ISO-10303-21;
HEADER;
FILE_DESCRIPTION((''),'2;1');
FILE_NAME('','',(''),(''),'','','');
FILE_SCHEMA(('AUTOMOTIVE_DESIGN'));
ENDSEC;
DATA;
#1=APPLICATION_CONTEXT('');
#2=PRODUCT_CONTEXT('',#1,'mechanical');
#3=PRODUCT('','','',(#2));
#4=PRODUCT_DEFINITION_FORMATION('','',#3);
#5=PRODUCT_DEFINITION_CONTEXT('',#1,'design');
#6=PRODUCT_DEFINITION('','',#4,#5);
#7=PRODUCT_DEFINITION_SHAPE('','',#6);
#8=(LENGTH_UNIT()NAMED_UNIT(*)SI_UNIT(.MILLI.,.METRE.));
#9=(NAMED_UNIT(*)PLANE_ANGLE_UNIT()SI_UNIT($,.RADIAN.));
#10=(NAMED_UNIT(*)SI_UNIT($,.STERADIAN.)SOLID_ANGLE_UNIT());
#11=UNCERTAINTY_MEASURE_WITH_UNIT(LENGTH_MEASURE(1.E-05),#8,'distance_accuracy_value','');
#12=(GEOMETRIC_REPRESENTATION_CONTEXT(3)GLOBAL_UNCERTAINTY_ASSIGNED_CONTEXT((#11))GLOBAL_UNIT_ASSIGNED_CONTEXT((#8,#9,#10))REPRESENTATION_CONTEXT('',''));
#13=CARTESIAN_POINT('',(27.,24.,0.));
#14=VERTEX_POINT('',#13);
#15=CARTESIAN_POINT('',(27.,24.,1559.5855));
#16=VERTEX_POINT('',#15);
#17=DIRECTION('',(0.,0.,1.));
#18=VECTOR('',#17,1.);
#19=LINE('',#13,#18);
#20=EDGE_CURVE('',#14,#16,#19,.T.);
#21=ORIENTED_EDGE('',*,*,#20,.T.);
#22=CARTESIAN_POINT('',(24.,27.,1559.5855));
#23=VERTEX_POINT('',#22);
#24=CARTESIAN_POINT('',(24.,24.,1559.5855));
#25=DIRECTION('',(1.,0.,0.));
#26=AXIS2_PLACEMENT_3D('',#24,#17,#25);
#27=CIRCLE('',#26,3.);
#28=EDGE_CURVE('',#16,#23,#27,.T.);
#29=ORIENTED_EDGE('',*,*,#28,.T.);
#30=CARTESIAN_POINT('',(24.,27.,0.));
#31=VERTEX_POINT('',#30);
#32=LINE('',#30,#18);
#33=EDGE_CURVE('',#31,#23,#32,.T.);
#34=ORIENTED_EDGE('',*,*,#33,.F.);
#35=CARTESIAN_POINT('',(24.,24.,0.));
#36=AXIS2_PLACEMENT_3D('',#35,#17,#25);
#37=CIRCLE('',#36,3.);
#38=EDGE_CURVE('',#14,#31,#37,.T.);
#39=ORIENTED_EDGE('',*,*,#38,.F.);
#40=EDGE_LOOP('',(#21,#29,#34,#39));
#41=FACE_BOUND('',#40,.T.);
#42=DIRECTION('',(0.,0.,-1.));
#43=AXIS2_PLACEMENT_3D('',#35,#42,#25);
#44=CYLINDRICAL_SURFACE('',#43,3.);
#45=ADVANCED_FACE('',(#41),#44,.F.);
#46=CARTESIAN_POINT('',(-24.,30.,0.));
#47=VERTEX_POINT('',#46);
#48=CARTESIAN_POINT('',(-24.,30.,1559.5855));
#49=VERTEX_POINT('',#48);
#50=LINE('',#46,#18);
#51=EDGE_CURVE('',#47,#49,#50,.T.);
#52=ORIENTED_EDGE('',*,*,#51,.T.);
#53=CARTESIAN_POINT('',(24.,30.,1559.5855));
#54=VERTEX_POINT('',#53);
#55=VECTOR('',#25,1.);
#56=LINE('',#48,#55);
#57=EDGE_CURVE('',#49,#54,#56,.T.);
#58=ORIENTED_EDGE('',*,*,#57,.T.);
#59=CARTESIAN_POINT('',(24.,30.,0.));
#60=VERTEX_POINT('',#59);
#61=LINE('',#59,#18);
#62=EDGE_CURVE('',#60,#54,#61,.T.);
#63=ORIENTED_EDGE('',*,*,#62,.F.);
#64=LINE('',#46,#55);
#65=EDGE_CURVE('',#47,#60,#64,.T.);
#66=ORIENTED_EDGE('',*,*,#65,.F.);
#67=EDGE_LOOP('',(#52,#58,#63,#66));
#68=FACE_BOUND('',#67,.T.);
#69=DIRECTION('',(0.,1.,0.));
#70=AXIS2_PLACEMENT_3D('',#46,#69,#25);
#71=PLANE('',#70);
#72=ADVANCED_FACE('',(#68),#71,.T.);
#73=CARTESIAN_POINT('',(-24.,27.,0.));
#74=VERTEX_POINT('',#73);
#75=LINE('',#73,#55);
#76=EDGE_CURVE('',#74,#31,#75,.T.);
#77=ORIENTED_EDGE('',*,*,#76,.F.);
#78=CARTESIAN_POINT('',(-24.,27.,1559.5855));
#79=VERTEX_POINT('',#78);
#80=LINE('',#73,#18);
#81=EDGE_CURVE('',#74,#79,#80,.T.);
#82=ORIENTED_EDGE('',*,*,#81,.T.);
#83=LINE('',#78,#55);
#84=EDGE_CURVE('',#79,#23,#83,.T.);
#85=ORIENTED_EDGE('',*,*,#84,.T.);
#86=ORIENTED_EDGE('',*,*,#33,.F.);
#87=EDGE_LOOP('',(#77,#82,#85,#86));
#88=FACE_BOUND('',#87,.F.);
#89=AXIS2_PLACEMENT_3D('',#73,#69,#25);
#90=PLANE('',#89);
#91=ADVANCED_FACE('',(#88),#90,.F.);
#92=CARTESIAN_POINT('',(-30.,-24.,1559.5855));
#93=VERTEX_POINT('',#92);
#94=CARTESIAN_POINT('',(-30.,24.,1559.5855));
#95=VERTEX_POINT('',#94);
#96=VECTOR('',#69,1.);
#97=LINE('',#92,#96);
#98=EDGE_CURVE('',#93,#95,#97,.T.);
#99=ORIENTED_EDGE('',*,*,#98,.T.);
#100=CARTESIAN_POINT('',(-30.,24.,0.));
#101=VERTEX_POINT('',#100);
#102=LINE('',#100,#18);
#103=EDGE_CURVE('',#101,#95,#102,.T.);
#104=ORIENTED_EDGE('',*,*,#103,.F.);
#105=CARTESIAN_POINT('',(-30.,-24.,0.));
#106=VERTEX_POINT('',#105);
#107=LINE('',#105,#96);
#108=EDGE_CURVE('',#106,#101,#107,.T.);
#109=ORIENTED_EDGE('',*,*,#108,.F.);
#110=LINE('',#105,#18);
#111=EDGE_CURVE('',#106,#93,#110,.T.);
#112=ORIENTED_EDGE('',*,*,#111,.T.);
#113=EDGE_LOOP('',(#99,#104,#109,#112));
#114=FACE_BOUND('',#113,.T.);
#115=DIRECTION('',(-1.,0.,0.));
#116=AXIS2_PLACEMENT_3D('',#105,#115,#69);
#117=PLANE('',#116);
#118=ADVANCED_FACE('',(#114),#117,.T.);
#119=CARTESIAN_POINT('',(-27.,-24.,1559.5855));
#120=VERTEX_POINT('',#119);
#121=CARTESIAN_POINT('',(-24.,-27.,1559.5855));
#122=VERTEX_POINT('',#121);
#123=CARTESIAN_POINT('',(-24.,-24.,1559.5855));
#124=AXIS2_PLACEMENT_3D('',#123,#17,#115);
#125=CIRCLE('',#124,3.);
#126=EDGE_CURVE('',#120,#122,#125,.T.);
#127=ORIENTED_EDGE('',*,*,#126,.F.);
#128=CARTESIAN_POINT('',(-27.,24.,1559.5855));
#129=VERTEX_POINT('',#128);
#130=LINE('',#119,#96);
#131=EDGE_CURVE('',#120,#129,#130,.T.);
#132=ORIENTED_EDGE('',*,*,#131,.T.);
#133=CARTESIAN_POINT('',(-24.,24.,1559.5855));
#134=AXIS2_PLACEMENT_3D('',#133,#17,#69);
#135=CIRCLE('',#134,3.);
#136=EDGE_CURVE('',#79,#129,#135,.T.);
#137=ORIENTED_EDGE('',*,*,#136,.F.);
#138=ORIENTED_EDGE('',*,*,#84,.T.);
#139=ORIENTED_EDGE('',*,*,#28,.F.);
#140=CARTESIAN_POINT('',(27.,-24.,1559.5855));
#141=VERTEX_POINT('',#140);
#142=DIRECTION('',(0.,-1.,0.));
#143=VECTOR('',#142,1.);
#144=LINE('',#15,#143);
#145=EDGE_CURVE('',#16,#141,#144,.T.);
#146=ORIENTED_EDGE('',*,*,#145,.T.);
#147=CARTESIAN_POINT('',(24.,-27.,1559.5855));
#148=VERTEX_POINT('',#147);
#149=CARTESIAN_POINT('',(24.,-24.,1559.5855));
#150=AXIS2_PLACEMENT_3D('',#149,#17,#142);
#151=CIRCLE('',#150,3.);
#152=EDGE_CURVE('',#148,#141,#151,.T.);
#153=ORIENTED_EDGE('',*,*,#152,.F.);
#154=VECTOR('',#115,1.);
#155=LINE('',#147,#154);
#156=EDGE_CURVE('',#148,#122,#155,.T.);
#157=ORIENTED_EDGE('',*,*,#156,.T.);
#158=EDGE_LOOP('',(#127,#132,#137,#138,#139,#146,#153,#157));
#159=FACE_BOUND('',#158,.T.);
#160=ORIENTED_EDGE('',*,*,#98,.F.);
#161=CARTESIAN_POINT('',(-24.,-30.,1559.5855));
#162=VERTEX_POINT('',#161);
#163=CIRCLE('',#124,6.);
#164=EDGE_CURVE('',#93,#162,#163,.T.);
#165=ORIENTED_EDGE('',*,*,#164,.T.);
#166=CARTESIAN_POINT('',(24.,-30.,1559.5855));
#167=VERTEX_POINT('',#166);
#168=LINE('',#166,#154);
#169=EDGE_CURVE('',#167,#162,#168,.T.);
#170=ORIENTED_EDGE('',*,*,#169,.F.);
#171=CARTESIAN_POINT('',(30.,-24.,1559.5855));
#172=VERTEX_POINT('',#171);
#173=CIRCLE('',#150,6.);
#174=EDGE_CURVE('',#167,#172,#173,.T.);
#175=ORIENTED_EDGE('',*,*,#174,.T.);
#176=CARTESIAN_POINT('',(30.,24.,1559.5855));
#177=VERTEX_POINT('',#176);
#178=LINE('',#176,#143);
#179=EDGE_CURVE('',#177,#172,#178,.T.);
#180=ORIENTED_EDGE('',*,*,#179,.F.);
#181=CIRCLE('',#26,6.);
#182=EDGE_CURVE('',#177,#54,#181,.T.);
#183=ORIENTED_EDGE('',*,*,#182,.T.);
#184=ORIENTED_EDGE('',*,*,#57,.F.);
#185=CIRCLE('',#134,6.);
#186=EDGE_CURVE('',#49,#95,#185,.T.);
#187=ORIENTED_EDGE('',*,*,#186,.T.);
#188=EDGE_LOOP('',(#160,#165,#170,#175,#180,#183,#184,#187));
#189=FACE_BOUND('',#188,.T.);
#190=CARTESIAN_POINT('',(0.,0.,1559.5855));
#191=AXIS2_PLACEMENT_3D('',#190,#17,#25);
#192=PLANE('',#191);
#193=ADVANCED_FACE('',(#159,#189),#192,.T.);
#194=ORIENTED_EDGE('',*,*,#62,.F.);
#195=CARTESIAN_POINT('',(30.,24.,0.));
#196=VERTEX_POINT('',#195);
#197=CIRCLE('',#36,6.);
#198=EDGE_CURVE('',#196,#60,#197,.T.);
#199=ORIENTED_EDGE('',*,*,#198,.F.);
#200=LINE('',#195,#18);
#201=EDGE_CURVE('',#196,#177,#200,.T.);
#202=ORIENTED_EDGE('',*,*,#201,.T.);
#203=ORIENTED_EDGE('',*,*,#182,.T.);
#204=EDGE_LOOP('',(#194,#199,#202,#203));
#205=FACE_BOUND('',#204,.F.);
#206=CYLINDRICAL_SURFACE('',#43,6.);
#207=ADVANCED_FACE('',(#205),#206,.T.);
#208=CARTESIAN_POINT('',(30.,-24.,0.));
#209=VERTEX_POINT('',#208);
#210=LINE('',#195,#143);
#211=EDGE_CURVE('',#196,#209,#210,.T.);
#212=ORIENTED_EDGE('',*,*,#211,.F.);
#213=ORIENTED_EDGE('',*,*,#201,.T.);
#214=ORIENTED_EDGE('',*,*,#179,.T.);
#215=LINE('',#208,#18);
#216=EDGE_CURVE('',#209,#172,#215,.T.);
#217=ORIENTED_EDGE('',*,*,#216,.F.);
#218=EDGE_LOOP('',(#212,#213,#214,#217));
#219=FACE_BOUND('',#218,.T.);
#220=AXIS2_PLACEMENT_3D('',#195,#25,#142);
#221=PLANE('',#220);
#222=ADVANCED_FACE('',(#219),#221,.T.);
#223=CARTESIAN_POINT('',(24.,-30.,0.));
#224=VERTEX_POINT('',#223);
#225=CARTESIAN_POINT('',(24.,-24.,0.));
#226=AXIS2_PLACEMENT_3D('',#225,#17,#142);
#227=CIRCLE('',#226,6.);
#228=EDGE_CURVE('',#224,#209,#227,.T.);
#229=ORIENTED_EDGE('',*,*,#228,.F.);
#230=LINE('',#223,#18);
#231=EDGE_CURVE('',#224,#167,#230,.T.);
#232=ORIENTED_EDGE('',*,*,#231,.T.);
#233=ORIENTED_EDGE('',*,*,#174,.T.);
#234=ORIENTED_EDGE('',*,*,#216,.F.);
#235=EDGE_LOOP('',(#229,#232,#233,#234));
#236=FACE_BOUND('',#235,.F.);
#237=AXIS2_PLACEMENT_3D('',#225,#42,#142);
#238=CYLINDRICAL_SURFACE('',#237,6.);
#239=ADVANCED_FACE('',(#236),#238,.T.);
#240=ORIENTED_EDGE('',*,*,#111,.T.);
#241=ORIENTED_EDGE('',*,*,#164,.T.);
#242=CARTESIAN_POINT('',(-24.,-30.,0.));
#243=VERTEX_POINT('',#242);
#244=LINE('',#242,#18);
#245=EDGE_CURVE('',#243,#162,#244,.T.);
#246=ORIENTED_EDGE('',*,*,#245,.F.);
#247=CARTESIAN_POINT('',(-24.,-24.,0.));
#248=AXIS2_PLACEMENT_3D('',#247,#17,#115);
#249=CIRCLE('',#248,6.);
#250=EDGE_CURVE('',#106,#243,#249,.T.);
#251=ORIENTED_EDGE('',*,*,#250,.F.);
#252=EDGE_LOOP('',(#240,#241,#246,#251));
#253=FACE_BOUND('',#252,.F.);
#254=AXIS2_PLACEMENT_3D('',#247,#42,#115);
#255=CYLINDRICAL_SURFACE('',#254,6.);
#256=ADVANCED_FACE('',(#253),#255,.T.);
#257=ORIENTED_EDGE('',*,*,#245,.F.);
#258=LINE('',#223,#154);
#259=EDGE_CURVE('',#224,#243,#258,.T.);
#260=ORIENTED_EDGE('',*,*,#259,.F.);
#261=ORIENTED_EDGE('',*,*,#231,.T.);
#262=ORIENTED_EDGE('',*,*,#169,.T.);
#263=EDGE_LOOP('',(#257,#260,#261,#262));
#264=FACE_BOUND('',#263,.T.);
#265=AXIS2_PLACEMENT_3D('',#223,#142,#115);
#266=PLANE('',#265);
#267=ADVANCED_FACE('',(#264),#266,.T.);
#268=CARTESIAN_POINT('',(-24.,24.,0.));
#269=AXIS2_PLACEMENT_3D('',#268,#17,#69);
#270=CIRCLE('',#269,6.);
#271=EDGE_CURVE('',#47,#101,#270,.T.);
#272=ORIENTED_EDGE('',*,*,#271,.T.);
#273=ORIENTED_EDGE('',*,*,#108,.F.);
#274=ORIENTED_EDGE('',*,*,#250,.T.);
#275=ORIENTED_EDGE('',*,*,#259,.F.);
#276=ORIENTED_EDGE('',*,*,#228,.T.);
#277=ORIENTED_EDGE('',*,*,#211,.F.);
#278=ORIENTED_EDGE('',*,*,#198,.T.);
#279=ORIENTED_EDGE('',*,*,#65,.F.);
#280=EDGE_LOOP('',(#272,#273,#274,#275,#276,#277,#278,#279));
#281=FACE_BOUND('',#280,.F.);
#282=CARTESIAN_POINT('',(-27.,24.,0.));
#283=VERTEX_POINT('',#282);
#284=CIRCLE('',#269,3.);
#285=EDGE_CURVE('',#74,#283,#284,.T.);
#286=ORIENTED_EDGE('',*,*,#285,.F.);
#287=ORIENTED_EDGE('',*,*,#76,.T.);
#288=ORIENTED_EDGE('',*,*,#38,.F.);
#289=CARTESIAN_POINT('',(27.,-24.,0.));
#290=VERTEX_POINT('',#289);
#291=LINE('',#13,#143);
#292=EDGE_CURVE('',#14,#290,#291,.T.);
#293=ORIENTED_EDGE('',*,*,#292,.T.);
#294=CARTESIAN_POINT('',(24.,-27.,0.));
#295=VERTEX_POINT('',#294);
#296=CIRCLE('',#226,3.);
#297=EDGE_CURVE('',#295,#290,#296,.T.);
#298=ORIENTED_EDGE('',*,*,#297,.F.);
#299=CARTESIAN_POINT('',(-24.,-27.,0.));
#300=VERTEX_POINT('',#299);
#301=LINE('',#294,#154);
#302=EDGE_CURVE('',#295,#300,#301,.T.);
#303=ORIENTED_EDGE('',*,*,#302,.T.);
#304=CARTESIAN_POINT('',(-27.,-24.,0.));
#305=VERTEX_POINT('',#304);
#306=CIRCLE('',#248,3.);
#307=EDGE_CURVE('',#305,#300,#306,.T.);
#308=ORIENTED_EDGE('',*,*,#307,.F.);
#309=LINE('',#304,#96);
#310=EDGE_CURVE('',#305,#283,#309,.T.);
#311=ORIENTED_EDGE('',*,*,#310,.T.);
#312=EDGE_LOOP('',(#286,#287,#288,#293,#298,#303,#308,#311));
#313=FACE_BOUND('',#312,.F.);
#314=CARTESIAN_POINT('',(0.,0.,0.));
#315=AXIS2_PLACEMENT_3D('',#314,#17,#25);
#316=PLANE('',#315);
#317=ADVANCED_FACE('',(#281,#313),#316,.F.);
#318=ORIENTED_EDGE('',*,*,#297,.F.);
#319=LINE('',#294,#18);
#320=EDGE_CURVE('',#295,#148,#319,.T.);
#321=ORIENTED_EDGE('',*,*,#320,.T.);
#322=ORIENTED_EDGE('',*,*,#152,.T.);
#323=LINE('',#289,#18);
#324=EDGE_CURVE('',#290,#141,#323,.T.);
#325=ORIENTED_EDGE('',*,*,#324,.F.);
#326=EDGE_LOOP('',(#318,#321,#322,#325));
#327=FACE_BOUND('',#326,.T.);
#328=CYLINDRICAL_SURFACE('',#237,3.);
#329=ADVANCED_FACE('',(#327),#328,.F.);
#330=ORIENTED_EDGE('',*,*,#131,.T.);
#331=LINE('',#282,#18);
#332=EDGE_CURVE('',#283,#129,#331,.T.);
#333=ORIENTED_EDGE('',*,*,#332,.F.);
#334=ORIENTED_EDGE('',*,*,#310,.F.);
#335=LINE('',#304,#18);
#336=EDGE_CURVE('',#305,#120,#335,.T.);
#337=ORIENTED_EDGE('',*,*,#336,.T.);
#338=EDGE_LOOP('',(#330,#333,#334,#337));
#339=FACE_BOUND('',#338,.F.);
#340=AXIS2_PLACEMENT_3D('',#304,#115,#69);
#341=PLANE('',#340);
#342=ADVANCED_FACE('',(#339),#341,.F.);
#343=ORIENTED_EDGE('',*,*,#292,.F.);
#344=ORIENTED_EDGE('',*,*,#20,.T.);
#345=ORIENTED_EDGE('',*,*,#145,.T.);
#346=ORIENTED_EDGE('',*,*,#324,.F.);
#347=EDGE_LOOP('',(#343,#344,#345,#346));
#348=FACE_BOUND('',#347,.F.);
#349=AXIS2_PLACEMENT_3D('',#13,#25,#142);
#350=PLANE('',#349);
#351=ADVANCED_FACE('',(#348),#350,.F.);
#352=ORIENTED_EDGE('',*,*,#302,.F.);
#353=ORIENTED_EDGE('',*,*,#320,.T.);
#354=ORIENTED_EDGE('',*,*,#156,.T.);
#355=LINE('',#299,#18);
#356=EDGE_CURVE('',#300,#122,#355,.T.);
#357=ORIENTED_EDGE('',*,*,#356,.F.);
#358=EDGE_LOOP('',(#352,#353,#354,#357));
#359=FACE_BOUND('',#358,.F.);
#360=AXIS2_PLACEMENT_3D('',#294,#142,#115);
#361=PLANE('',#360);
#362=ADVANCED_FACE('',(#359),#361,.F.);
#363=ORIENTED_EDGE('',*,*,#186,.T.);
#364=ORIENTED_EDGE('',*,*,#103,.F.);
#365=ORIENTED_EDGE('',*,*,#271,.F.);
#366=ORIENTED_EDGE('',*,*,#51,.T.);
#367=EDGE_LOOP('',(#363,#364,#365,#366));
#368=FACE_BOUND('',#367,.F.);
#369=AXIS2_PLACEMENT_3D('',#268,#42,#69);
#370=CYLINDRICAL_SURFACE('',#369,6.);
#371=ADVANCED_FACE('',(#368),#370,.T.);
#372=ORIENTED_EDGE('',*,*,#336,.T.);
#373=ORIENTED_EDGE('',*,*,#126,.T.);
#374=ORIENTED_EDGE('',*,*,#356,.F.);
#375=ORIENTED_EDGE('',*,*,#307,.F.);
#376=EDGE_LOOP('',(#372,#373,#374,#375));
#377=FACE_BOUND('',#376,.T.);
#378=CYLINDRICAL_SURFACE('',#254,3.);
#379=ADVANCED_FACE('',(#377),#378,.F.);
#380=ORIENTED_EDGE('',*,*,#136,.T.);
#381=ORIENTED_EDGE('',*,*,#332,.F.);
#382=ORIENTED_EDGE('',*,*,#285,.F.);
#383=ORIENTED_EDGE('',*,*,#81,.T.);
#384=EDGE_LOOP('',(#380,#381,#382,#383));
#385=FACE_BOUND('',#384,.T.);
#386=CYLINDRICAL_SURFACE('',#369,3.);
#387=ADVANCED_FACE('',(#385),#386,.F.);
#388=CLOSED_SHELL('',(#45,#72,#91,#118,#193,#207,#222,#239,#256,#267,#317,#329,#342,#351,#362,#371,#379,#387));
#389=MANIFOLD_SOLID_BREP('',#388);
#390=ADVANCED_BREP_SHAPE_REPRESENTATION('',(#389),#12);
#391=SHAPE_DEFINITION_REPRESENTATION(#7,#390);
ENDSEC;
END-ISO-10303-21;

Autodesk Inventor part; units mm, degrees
ref_plane "YZ Plane" through (0, 0, 0) normal (1, 0, 0) x (0, 1, 0)
ref_plane "Start Plane" through (0, 0, 0) normal (0, 0, 1) x (1, 0, 0)
ref_plane "End Plane" through (0, 0, 1559.5855) normal (0, 0, 1) x (1, 0, 0)
sketch "Sketch" plane through (0, 0, 0) normal (0, 0, 1) x (1, 0, 0)
  line L0 (-30, -24) -> (-30, 24)
  line L1 (-24, 30) -> (24, 30)
  line L2 (30, 24) -> (30, -24)
  line L3 (24, -30) -> (-24, -30)
  arc A0 (-30, -24) -> (-24, -30) centre (-24, -24) ccw
  arc A1 (30, 24) -> (24, 30) centre (24, 24) ccw
  arc A2 (-24, 30) -> (-30, 24) centre (-24, 24) ccw
  arc A3 (24, -30) -> (30, -24) centre (24, -24) ccw
  arc A4 (-24, 27) -> (-27, 24) centre (-24, 24) ccw
  line L4 (-24, 27) -> (24, 27)
  arc A5 (27, 24) -> (24, 27) centre (24, 24) ccw
  line L5 (27, 24) -> (27, -24)
  arc A6 (24, -27) -> (27, -24) centre (24, -24) ccw
  line L6 (24, -27) -> (-24, -27)
  arc A7 (-27, -24) -> (-24, -27) centre (-24, -24) ccw
  line L7 (-27, -24) -> (-27, 24)
  line L8 (0, 43.7397) -> (0, -43.7397) construction
  line L9 (-43.7397, 0) -> (43.7397, 0) construction
  dimension "d7" = 6
  dimension "d9" = 60
  dimension "d11" = 60
  dimension "d12" = 3
  dimension "d15" = 30
  dimension "d16" = 30
extrude "Body" add sketch "Sketch" along normal up to surface (1559.5855 mm away) from surface at 0
sketch "Sketch3" plane through (0, 0, 0) normal (0, 0, 1) x (1, 0, 0)
  line L0 (0, 0) -> (10, 0)
ref_plane "Work Plane3" through (0, 0, 0) normal (0, -1, 0) x (1, 0, 0)
sketch "Sketch4" plane through (0, 0, 0) normal (0, -1, 0) x (1, 0, 0)
  line L0 (-2, 0) -> (12, 0)
  line L1 (-2, 1559.5855) -> (12, 1559.5855)
  dimension "d18" = 1559.5855
equation "\"d7\" = G_IR"
equation "\"d9\" = G_W"
equation "\"d11\" = G_H"
equation "\"d12\" = G_T"
equation "\"d15\" = 0.5 * d9"
equation "\"d16\" = 0.5 * d11"
equation "\"d3\" = G_L"
equation "\"G_W\" = 60"
equation "\"G_H\" = 60"
equation "\"G_T\" = 3"
equation "\"G_IR\" = 6"
equation "\"G_L\" = d18"
equation "\"G_OFFSET_START\" = 0"
equation "\"G_OFFSET_END\" = 0"
equation "\"d14\" = G_OFFSET_END + B_L"
equation "\"B_L\" = 1559.58548"
properties part number "ISO 10799-2 - 60x60x3 - 1559.59" material "Steel, Mild"
